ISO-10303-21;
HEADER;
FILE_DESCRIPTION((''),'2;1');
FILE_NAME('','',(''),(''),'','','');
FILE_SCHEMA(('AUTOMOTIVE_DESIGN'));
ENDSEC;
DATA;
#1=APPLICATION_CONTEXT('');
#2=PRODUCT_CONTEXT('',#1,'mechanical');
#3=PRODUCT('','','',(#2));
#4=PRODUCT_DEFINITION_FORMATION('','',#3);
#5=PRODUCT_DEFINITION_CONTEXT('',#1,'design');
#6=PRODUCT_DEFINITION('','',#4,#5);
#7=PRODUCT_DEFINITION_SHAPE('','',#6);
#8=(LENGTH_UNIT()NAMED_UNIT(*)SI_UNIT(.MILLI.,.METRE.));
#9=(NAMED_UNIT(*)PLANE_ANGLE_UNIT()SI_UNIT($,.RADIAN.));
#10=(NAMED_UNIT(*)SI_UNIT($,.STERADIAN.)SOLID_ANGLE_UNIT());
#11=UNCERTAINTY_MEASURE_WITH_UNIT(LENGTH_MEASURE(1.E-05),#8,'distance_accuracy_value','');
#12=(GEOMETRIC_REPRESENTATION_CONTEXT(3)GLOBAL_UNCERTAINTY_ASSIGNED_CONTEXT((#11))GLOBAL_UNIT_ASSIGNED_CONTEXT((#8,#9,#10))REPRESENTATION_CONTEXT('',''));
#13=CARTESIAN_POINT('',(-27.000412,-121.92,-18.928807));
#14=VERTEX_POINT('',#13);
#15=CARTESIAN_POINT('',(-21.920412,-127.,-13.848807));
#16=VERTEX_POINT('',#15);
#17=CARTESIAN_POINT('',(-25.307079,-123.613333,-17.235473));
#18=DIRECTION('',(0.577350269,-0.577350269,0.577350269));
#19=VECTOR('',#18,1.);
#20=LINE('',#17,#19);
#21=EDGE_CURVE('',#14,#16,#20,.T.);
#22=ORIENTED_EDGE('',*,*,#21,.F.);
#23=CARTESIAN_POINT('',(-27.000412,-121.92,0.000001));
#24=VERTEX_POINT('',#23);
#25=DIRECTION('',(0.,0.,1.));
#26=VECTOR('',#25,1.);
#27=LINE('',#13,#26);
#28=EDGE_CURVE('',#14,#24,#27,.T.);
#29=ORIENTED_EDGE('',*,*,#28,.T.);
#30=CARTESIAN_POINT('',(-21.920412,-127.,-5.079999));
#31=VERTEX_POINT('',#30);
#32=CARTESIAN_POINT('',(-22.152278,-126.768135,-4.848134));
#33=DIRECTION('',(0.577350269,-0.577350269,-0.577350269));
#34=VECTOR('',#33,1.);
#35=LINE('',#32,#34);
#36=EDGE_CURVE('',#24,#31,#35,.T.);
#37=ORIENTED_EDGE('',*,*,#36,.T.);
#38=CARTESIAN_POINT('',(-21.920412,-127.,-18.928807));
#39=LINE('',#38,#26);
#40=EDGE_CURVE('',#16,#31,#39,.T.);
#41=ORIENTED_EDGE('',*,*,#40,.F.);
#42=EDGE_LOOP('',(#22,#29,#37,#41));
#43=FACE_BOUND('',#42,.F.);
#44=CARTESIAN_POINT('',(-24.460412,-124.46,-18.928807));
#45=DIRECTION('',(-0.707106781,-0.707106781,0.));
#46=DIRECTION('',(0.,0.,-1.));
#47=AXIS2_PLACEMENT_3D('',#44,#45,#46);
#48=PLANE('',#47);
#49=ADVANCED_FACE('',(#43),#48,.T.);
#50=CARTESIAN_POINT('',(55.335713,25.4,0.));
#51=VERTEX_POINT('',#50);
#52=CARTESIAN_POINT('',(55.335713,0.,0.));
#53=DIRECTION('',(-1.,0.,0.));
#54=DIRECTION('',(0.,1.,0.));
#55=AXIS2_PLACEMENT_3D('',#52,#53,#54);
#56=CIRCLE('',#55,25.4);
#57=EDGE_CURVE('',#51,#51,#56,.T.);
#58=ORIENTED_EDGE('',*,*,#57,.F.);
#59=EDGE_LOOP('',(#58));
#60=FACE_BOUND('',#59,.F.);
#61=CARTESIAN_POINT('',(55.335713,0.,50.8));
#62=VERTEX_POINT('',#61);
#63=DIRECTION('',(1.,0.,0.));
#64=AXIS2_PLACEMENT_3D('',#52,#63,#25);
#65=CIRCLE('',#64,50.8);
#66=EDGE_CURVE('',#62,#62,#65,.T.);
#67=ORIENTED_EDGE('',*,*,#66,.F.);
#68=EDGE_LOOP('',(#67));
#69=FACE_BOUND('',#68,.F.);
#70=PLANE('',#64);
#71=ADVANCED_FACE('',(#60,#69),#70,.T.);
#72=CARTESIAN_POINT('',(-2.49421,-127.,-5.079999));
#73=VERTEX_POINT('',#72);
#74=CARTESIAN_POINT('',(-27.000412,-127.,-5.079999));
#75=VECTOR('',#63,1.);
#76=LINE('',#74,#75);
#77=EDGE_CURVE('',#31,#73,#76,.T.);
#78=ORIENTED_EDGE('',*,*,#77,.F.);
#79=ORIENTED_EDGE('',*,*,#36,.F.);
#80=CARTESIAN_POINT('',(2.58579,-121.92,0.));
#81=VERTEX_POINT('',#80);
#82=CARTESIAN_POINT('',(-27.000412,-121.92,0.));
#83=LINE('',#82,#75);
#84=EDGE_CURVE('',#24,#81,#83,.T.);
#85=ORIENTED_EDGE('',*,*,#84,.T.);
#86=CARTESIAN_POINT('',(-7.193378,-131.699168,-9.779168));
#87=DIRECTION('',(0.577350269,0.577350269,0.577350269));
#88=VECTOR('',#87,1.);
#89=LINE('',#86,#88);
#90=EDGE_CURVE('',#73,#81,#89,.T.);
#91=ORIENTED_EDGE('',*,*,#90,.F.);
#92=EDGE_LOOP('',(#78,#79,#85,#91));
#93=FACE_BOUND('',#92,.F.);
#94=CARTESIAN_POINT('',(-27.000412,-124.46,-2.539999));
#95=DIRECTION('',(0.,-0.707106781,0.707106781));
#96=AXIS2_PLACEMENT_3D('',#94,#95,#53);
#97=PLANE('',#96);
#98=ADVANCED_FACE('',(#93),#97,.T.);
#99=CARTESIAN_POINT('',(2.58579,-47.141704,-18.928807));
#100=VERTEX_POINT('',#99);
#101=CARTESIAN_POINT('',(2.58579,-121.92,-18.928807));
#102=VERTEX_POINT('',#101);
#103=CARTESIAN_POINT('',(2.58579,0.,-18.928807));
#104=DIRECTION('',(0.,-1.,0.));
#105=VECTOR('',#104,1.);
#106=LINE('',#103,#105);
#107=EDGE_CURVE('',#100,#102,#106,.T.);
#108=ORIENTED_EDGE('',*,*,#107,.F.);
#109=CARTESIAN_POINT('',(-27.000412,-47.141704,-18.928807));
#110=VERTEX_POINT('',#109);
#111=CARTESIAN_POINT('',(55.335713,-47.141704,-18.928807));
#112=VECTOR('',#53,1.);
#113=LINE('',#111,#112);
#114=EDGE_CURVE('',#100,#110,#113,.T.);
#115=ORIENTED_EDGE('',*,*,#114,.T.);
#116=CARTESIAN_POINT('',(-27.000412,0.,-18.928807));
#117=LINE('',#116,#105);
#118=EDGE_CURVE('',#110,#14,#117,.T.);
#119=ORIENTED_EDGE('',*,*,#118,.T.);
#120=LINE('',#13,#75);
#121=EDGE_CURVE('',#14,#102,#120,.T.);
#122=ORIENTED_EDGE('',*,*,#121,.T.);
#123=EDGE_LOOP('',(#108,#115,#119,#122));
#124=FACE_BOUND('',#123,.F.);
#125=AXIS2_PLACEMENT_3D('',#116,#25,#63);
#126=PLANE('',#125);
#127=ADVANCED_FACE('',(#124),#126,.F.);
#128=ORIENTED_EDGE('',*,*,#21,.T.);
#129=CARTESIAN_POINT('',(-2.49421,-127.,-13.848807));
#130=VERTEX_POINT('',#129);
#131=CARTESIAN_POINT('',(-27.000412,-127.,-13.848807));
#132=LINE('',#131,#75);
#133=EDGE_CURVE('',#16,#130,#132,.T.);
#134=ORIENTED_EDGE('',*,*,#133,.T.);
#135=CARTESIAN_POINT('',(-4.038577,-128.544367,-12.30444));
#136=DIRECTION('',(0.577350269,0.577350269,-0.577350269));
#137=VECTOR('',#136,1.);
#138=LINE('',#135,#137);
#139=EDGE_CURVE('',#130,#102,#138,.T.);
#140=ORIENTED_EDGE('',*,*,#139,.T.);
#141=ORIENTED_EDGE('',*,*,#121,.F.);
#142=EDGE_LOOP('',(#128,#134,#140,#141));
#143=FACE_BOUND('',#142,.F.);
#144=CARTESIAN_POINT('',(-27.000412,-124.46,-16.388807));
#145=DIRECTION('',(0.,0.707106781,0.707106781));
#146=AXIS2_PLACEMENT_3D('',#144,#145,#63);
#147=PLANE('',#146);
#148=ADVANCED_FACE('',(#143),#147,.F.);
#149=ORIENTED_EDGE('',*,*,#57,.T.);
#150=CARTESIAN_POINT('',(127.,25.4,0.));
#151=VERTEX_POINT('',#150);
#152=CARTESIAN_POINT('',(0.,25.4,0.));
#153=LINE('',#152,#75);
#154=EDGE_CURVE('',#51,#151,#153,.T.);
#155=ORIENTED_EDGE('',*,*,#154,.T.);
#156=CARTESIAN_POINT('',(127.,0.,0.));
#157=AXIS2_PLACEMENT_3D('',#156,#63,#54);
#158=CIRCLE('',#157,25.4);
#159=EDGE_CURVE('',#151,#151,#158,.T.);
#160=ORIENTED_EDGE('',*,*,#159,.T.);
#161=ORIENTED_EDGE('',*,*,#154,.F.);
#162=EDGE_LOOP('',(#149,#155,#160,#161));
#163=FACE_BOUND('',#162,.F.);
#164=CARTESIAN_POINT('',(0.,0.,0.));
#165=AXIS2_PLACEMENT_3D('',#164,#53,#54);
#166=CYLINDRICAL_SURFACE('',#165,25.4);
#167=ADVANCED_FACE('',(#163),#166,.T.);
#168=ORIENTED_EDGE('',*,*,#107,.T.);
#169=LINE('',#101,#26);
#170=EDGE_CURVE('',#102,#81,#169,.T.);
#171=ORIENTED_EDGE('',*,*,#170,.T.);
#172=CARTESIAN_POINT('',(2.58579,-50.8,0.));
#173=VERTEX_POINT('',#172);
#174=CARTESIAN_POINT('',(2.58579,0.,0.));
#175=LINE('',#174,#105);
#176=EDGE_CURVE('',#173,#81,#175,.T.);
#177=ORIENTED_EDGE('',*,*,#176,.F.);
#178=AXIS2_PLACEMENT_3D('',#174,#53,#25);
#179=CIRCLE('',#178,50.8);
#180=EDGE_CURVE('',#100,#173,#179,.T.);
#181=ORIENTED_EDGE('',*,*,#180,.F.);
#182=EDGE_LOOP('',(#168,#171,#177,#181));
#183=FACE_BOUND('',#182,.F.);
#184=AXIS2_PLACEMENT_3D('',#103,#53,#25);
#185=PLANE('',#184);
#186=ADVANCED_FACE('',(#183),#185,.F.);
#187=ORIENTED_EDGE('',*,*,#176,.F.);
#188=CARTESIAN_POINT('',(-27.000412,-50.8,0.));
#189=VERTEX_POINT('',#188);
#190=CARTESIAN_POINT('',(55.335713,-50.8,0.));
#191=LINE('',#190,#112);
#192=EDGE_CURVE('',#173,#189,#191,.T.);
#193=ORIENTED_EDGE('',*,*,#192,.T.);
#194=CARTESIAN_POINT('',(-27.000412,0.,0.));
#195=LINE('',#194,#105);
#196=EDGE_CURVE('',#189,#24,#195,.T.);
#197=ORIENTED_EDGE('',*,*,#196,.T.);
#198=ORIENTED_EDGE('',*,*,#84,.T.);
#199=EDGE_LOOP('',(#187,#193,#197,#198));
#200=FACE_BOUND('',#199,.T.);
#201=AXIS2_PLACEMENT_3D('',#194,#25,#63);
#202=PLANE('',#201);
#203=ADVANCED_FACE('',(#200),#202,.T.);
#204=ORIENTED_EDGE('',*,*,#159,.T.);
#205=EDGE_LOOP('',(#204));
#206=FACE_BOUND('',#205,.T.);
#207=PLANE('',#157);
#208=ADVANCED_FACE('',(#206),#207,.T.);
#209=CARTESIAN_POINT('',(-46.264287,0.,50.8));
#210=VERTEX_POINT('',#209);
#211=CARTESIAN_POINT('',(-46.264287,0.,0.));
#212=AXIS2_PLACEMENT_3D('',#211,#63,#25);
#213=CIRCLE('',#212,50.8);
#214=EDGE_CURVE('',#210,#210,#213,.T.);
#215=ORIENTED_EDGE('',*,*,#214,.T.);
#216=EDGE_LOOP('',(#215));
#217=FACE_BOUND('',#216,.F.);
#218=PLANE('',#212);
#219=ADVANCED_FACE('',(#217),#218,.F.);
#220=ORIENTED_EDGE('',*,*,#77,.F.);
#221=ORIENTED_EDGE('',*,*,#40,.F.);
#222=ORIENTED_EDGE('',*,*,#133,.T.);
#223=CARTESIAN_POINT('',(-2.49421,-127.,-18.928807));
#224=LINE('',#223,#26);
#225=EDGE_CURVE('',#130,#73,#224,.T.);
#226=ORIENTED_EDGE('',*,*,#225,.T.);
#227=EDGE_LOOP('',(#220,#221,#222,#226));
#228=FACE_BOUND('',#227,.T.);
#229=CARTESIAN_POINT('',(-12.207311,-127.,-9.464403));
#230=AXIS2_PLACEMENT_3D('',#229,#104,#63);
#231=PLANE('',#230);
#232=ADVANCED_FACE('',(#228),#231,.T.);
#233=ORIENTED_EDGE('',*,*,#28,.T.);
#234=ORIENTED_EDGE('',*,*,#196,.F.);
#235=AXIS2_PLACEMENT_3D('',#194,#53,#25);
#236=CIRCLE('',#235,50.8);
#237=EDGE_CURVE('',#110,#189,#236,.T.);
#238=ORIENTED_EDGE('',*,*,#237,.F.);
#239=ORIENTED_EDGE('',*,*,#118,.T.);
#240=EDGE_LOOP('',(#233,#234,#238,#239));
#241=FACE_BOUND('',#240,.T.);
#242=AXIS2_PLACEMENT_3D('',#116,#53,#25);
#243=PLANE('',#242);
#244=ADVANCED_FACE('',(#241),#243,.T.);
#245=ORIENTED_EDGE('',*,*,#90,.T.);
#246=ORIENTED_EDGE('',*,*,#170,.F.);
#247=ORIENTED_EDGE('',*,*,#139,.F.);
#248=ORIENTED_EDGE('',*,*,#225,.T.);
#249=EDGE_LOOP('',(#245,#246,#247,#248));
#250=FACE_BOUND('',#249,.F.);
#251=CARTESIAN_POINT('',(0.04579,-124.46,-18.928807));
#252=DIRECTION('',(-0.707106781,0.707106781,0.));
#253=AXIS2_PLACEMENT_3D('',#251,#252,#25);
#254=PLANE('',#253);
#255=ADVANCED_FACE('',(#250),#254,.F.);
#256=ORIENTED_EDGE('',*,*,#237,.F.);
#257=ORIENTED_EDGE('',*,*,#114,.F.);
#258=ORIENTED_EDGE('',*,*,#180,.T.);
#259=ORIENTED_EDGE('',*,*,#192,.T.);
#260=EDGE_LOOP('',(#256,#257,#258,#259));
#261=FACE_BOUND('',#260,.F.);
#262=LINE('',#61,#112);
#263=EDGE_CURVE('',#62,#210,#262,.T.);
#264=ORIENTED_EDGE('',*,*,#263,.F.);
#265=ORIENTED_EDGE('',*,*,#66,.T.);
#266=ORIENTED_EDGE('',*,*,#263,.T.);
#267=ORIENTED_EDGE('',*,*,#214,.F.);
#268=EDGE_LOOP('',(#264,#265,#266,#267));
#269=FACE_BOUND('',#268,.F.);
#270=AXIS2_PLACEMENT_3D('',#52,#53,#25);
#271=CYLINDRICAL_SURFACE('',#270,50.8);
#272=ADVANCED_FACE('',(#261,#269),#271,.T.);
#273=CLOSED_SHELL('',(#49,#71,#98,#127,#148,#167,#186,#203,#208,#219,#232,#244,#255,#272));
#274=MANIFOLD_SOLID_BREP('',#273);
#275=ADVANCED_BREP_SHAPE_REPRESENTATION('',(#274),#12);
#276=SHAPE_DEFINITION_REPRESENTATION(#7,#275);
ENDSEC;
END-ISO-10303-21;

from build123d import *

# Parameters (mm, degrees)
F2_R     = 25.4
F3_DEPTH = 127
F4_W     = 29.586202
F4_H     = 18.928807
F5_DEPTH = 127
F6_SIZE2 = 5.08
F6_SIZE  = 5.08


with BuildPart() as f1:
    # F0 (on Front) → F1 (revolve)
    with BuildSketch(Plane.XZ):
        Polygon((55.335713, 50.8), (-46.264287, 50.8), (-46.264287, 0), (12.566184, 0), (55.335713, 0), align=None)
    revolve(axis=Axis((4.535713, 0, 0), (1, 0, 0)))

    # F2 (on Right) → F3 (join)
    with BuildSketch(Plane.YZ):
        Circle(F2_R)
    extrude(amount=F3_DEPTH)

    # F4 (on Front) → F5 (join)
    with BuildSketch(Plane.XZ):
        with Locations((-12.207311, -9.464403)):
            Rectangle(F4_W, F4_H)
    extrude(amount=F5_DEPTH)

    # F6
    f6_edges = [f1.edges().sort_by_distance(p)[0] for p in [
        (2.58579, -127, -9.464404),
        (-12.207311, -127, 0),
        (-27.000412, -127, -9.464404),
        (-12.207311, -127, -18.928807),
    ]]
    chamfer(f6_edges, length=F6_SIZE, length2=F6_SIZE2)


solid = f1.part
